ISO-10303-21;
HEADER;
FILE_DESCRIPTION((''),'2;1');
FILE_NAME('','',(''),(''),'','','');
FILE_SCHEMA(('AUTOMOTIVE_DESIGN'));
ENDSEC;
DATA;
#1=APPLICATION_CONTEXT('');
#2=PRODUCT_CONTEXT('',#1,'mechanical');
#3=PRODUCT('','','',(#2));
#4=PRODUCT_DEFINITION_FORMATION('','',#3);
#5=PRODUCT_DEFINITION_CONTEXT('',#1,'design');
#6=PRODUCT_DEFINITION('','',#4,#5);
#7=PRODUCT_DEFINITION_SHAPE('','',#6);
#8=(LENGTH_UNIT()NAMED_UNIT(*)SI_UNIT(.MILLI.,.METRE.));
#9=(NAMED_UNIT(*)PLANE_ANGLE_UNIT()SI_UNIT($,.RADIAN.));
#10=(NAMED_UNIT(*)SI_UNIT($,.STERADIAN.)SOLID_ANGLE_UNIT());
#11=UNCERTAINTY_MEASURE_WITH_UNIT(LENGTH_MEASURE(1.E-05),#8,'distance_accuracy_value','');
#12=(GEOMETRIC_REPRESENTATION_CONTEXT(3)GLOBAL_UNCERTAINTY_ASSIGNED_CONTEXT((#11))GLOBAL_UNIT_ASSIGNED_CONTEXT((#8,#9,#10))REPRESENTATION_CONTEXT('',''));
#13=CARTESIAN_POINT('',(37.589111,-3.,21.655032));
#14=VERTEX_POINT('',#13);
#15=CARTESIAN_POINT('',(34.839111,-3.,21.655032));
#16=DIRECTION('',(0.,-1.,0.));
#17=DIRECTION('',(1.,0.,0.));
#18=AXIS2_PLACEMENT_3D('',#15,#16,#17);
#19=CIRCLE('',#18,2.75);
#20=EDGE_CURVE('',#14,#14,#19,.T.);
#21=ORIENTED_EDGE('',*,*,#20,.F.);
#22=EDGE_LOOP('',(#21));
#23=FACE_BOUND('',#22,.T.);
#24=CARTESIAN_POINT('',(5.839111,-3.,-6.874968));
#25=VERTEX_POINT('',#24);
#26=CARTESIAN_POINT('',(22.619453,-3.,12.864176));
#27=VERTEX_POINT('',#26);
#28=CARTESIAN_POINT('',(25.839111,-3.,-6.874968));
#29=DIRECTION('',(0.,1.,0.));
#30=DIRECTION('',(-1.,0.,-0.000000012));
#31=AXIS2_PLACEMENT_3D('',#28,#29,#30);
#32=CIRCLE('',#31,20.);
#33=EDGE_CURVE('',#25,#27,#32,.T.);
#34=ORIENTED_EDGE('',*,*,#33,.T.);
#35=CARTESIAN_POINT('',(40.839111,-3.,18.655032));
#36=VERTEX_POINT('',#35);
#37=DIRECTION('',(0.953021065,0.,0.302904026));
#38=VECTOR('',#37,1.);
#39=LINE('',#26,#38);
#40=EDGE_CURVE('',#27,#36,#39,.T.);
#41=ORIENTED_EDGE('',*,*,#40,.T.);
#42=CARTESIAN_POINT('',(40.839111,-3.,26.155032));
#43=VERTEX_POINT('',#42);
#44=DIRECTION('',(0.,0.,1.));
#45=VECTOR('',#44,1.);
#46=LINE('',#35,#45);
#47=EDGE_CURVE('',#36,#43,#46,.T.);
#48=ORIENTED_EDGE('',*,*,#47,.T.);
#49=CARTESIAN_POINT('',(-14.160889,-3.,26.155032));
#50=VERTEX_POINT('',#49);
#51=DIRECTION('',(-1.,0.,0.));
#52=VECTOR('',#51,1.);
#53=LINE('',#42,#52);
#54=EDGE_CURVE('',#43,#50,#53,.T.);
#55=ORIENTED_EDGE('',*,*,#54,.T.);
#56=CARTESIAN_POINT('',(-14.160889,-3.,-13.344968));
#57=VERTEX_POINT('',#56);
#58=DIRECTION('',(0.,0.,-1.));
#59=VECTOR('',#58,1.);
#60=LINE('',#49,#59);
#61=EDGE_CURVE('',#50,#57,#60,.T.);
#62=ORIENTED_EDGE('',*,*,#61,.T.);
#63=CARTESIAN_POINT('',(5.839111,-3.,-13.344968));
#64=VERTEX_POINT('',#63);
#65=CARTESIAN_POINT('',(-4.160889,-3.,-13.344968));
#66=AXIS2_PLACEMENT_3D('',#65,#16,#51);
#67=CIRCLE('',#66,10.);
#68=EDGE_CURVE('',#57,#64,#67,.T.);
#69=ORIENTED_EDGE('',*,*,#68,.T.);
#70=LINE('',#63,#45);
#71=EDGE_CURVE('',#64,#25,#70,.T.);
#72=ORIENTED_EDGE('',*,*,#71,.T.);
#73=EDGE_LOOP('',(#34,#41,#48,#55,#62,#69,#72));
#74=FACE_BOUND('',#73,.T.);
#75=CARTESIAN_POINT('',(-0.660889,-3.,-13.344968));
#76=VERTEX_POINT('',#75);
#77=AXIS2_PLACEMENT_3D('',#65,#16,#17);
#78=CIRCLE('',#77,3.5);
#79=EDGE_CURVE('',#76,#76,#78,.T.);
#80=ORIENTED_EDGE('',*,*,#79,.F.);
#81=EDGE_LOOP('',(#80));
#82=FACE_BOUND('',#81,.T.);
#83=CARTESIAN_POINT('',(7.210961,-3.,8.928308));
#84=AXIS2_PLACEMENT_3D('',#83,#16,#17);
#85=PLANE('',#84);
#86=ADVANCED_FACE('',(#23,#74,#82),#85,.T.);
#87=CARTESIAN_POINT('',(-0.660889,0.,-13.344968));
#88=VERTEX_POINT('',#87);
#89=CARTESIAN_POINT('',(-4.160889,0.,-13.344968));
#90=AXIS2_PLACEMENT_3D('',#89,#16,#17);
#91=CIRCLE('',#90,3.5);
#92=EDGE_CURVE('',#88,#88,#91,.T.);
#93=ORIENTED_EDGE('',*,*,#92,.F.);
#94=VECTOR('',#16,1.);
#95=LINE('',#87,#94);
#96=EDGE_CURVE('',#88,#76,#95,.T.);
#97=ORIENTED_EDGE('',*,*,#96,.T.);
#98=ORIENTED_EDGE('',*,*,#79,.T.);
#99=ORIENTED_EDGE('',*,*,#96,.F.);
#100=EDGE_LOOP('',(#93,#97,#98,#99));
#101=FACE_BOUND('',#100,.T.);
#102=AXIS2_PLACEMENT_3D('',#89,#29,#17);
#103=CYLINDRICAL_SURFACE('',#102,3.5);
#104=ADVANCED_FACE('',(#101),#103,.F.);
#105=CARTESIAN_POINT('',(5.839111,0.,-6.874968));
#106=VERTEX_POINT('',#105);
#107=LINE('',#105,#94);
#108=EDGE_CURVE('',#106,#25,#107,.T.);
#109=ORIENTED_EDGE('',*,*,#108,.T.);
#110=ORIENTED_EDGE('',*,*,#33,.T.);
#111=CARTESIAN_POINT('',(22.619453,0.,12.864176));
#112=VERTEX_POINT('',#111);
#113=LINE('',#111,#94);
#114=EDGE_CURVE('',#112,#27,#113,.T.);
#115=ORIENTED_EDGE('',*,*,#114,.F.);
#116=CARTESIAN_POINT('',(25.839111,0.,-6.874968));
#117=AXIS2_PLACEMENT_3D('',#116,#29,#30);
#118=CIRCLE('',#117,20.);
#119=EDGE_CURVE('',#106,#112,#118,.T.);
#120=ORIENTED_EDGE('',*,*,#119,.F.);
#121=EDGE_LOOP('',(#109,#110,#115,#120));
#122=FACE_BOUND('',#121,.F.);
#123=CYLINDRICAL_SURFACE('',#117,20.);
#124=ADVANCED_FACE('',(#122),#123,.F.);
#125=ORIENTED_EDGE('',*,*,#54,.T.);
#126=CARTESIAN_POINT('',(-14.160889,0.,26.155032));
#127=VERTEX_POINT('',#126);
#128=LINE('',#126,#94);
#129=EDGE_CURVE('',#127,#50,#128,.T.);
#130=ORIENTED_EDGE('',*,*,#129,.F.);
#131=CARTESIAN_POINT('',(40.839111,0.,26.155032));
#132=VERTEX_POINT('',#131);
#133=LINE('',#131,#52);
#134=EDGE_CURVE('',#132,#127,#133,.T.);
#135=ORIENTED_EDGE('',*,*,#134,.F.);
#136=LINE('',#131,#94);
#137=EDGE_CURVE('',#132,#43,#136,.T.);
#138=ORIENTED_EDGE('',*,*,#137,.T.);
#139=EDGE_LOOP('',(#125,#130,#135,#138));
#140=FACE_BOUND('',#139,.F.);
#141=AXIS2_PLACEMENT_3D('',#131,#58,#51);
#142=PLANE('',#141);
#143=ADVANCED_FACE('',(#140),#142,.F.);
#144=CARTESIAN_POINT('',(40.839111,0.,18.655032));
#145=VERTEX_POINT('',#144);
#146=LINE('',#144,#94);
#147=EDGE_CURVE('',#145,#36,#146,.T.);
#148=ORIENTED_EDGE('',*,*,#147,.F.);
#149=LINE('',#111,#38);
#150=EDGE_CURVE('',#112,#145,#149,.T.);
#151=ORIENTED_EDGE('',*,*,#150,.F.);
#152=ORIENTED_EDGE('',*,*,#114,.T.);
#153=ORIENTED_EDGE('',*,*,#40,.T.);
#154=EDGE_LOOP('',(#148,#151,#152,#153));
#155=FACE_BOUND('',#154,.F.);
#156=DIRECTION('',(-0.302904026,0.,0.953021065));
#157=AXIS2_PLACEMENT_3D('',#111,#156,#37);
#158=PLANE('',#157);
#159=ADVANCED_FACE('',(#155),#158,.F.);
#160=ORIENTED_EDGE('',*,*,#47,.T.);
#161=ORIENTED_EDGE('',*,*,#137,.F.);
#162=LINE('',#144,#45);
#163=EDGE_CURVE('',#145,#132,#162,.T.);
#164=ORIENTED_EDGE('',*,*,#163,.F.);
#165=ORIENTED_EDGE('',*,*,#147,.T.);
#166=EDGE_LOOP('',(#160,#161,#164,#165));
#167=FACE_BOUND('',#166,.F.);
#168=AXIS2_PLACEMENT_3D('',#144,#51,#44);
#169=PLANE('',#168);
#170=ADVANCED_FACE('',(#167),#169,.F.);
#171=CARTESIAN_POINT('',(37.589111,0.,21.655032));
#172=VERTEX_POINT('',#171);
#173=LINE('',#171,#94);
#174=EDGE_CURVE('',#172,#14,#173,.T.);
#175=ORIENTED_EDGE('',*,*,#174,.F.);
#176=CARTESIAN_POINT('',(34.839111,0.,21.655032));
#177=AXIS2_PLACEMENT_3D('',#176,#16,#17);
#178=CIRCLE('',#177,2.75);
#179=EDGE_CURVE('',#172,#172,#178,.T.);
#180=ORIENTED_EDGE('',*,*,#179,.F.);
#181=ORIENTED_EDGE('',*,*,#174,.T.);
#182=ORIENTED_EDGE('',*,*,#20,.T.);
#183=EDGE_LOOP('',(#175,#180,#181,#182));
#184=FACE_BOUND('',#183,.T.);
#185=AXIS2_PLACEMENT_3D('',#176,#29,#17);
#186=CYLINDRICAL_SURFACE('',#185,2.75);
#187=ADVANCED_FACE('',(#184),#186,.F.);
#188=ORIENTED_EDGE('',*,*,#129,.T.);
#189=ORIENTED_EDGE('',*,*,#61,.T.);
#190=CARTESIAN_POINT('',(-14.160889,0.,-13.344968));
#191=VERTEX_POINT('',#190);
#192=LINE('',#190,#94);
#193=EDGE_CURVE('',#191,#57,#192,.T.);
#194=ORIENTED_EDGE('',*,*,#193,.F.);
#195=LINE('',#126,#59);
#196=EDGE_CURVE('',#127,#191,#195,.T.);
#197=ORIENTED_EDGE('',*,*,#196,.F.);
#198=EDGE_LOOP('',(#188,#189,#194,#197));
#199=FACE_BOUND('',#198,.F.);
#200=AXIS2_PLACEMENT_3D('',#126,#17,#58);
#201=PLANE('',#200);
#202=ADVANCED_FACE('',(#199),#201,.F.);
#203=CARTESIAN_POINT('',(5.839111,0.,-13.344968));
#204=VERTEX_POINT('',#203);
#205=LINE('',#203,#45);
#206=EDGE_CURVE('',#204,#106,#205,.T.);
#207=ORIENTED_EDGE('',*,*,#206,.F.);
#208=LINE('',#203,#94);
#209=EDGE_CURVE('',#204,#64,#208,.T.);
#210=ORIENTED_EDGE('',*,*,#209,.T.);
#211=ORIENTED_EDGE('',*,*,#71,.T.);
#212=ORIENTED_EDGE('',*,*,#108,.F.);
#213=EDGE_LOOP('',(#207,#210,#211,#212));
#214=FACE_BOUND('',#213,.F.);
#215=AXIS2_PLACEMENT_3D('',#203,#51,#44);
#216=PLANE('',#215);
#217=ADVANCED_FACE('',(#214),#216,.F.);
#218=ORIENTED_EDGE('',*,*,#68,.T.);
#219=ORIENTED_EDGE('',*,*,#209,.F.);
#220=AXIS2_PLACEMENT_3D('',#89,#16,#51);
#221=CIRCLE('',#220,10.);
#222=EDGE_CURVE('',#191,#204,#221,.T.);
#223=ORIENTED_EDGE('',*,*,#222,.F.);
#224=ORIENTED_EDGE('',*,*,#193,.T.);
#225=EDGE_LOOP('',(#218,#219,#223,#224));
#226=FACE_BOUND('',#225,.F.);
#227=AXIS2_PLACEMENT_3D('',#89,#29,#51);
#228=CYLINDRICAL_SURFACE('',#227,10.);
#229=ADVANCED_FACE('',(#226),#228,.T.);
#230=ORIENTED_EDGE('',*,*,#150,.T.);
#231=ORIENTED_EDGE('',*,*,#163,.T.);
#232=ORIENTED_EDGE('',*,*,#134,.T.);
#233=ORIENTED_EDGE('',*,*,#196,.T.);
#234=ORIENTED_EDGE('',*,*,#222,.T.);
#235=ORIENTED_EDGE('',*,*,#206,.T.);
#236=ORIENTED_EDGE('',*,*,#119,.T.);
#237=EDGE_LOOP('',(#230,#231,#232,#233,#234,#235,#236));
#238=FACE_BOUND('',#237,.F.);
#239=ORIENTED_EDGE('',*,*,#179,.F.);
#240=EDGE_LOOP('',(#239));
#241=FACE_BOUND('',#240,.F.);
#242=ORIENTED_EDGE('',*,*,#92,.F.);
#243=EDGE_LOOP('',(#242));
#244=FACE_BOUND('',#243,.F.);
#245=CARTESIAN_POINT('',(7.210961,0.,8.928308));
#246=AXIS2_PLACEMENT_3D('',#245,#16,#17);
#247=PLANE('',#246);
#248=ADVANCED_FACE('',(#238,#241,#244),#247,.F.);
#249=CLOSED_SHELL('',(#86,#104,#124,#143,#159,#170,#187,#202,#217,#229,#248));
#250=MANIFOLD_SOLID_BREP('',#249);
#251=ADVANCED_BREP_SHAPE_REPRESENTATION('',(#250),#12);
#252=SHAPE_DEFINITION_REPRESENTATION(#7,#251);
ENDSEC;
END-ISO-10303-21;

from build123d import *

# Parameters (mm, degrees)
F0_R     = 3.5
F0_R_2   = 2.75
F1_DEPTH = 3


with BuildPart() as f1:
    # F0 (on Front) → F1 (new body)
    with BuildSketch(Plane.XZ):
        with BuildLine():
            Line((40.839111, 26.155032), (-14.160889, 26.155032))
            Line((-14.160889, 26.155032), (-14.160889, -13.344968))
            ThreePointArc((-14.160889, -13.344968), (-4.160889, -23.344968), (5.839111, -13.344968))
            Line((5.839111, -13.344968), (5.839111, -6.874968))
            ThreePointArc((5.839111, -6.874968), (10.601113, 6.078928), (22.619453, 12.864176))
            Line((22.619453, 12.864176), (40.839111, 18.655032))
            Line((40.839111, 18.655032), (40.839111, 26.155032))
        make_face()
        with Locations((-4.160889, -13.344968)):
            Circle(F0_R, mode=Mode.SUBTRACT)
        with Locations((34.839111, 21.655032)):
            Circle(F0_R_2, mode=Mode.SUBTRACT)
    extrude(amount=F1_DEPTH)


solid = f1.part
